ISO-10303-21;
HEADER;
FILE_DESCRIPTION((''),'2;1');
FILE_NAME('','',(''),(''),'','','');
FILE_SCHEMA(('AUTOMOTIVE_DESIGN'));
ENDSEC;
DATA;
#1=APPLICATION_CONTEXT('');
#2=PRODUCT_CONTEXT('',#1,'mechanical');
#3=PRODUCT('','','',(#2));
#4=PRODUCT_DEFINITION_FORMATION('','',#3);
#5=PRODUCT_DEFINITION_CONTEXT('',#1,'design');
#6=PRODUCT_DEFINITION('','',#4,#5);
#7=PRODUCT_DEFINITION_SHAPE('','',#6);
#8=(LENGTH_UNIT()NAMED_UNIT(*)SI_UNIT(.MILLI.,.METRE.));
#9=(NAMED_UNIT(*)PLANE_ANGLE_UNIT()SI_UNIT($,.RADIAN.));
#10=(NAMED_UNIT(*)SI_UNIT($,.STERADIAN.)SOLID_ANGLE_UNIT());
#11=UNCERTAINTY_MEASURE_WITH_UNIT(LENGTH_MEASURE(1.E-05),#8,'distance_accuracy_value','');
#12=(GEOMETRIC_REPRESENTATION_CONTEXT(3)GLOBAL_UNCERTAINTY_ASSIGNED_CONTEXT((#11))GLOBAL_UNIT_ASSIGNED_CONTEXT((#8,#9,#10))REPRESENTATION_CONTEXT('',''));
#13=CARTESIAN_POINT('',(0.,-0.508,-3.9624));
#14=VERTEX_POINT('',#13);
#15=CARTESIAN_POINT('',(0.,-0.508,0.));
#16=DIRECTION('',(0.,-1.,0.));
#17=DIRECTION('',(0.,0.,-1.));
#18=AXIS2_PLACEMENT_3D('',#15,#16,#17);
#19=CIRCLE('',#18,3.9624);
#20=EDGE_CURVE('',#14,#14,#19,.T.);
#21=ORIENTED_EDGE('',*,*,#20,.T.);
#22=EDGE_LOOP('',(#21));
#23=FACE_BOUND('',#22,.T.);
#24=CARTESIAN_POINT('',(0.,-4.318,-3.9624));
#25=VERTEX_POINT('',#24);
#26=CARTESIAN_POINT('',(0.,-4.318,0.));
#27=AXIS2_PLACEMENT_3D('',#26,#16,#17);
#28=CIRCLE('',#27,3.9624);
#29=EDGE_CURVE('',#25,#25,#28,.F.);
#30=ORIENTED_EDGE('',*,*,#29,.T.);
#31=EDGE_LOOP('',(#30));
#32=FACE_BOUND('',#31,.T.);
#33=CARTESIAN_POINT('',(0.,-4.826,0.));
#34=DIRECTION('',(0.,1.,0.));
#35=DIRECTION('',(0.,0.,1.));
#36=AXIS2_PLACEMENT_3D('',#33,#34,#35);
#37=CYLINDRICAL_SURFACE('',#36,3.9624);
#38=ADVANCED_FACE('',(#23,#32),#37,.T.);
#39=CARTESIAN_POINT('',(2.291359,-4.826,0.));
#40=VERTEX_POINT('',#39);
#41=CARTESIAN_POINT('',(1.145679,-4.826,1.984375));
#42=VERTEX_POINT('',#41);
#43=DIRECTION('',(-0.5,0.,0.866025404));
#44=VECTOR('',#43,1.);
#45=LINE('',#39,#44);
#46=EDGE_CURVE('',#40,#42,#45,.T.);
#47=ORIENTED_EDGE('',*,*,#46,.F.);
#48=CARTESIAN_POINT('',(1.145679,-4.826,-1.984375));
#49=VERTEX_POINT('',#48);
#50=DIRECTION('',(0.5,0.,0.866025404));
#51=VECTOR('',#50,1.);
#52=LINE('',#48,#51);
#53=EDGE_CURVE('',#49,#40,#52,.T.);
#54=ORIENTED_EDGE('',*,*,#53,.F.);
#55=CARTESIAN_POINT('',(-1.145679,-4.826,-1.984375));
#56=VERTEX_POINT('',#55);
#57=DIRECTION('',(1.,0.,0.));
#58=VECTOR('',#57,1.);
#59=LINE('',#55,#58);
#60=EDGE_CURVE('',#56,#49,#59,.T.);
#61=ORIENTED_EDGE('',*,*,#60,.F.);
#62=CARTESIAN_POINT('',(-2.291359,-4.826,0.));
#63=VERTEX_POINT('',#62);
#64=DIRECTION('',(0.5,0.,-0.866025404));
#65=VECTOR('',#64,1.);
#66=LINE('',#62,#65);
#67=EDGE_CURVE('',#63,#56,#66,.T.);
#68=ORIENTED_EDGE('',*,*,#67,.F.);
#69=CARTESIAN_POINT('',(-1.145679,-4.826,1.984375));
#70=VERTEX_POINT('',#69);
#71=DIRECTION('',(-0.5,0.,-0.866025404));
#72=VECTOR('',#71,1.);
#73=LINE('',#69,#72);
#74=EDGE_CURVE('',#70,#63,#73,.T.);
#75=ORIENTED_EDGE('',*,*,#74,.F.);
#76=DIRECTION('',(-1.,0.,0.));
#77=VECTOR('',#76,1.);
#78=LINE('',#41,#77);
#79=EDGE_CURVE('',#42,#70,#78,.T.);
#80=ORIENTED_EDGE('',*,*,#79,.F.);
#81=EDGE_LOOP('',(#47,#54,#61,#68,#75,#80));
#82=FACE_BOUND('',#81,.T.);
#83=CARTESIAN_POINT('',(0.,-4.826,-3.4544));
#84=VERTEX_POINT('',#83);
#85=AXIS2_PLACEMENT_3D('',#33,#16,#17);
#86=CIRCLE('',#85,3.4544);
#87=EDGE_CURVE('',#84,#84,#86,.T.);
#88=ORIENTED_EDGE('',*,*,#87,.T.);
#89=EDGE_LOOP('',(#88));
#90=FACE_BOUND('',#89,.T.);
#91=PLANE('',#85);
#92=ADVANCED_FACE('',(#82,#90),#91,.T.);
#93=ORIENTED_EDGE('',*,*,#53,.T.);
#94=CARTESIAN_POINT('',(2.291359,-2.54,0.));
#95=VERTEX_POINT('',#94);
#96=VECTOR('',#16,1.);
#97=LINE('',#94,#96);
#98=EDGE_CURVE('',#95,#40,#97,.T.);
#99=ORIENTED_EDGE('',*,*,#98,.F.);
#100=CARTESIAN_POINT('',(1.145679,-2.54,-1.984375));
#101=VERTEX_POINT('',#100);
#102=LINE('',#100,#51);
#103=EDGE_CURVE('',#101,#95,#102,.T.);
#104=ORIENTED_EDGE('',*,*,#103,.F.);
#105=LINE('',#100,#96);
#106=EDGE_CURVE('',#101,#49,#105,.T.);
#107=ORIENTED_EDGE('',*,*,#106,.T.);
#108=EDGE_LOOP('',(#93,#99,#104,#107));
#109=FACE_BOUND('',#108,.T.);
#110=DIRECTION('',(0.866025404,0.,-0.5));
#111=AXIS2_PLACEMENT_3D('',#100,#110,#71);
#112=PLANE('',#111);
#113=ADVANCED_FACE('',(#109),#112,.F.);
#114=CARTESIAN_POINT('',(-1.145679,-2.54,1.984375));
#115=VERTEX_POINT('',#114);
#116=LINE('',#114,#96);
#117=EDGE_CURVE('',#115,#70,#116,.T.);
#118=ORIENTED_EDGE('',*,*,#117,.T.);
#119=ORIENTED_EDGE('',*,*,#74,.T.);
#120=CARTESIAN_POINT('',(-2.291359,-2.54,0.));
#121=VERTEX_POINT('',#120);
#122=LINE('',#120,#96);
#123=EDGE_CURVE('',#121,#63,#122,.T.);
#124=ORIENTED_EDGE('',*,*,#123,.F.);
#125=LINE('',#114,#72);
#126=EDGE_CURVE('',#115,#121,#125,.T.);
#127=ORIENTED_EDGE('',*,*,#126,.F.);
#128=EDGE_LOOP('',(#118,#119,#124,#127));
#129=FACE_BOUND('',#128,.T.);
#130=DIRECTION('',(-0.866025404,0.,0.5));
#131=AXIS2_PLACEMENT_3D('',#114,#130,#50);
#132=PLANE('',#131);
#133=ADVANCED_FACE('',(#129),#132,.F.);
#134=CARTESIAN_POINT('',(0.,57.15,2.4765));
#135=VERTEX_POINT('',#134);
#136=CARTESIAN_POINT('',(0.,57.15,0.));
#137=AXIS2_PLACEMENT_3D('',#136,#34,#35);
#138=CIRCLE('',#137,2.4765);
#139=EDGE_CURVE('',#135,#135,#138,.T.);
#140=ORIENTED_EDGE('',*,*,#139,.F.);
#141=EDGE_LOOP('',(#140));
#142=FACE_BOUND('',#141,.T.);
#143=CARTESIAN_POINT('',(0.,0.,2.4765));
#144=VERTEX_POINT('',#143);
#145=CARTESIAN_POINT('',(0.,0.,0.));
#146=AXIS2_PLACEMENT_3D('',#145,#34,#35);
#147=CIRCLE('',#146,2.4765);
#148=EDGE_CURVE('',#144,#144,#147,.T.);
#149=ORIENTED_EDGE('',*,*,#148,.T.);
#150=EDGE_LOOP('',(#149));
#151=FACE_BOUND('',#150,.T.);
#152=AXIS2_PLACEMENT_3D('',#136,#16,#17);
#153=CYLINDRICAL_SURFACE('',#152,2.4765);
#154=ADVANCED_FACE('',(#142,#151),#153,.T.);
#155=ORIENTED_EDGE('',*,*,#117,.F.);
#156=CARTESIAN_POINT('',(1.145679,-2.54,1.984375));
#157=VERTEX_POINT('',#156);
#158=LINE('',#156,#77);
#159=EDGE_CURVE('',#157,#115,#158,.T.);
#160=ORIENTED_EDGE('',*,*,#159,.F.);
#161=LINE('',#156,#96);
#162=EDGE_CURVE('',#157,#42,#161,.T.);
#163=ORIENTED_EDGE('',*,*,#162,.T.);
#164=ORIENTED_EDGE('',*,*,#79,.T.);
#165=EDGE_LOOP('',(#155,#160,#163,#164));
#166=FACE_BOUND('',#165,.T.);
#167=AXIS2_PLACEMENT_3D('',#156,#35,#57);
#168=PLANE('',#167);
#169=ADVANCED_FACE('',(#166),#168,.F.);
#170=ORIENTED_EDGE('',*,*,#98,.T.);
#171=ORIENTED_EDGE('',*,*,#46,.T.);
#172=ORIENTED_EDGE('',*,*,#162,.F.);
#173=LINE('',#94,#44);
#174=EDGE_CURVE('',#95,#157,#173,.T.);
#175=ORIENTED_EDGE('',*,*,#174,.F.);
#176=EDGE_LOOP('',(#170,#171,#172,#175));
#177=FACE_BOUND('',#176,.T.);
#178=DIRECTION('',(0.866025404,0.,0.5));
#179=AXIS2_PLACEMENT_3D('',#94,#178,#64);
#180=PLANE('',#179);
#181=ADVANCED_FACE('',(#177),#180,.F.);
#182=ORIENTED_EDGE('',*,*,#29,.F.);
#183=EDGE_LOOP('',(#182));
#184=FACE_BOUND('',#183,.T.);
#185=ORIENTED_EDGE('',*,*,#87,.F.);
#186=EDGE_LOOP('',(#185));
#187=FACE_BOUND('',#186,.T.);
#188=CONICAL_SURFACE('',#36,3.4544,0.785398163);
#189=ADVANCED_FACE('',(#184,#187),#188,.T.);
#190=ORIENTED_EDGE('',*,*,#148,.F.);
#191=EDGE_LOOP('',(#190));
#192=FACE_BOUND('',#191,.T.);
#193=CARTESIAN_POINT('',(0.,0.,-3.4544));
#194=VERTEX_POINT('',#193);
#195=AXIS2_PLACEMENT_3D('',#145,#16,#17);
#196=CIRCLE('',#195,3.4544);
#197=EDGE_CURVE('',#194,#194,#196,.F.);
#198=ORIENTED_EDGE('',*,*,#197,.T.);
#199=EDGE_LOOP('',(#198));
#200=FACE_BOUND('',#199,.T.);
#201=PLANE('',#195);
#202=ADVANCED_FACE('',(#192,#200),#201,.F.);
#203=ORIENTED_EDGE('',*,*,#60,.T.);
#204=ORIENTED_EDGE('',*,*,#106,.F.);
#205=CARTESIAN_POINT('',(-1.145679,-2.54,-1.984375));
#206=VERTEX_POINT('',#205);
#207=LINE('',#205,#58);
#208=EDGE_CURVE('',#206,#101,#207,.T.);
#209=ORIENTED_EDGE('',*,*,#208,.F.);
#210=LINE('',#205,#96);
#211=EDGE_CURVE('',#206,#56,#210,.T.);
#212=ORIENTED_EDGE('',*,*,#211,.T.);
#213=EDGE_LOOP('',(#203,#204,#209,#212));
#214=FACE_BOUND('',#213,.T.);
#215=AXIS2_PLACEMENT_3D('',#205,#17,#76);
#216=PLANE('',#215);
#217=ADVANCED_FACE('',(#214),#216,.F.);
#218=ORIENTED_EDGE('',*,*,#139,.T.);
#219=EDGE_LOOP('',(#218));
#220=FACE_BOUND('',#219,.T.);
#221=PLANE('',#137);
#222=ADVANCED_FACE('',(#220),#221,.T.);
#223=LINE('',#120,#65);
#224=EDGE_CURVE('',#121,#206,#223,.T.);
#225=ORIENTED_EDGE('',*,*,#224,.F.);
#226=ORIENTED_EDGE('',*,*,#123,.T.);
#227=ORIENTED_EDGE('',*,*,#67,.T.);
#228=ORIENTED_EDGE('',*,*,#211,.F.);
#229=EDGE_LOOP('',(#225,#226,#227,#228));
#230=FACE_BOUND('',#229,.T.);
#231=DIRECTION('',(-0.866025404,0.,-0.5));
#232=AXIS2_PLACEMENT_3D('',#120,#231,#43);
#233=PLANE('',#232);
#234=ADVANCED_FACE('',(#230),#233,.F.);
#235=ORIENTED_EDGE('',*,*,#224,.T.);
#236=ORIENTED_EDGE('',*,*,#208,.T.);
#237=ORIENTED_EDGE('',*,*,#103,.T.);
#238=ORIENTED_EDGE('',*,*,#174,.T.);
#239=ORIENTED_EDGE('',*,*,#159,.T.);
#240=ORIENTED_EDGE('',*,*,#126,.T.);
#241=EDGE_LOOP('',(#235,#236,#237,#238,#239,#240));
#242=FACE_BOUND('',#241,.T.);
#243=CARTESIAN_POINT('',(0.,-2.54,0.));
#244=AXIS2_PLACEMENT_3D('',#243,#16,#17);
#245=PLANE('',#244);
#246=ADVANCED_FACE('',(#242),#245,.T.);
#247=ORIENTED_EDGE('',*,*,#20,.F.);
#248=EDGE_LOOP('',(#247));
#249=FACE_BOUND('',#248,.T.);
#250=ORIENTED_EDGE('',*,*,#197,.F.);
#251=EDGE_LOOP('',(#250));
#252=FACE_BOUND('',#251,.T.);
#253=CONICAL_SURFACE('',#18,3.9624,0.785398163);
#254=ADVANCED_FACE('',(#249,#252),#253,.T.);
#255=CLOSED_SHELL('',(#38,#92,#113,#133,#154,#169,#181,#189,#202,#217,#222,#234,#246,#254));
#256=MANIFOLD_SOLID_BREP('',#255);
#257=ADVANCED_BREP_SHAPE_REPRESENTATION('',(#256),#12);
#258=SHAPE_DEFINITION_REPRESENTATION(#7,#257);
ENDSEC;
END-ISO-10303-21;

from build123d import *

# Parameters (mm, degrees)
SKETCH1_R           = 2.4765
BOSS_EXTRUDE1_DEPTH = 57.15
SKETCH2_R           = 3.9624
BOSS_EXTRUDE2_DEPTH = 4.826
CUT_EXTRUDE1_DEPTH  = 2.286
CHAMFER1_SIZE       = 0.508


with BuildPart() as part:
    # Sketch1 → Boss-Extrude1 (new body)
    with BuildSketch(Plane(origin=(0, 0, 0), x_dir=(1, 0, 0), z_dir=(0, 1, 0))):
        with Locations(Location((0, 0, 0), (0, 0, 270))):
            Circle(SKETCH1_R)
    extrude(amount=BOSS_EXTRUDE1_DEPTH)

    # Sketch2 → Boss-Extrude2 (add)
    with BuildSketch(Plane.XZ):
        with Locations(Location((0, 0, 0), (0, 0, 270))):
            Circle(SKETCH2_R)
    extrude(amount=BOSS_EXTRUDE2_DEPTH)

    # Sketch3 → Cut-Extrude1 (cut)
    with BuildSketch(Plane.XZ.offset(4.826)):
        Polygon((2.291358881, 0), (1.14567944, 1.984375), (-1.14567944, 1.984375), (-2.291358881, 0), (-1.14567944, -1.984375), (1.14567944, -1.984375), align=None)
    extrude(amount=-CUT_EXTRUDE1_DEPTH, mode=Mode.SUBTRACT)

    # Chamfer1
    chamfer1_edges = [part.edges().sort_by_distance(p)[0] for p in [
        (0, 0, 3.9624),
        (0, -4.826, 3.9624),
    ]]
    chamfer(chamfer1_edges, length=CHAMFER1_SIZE)


solid = part.part
